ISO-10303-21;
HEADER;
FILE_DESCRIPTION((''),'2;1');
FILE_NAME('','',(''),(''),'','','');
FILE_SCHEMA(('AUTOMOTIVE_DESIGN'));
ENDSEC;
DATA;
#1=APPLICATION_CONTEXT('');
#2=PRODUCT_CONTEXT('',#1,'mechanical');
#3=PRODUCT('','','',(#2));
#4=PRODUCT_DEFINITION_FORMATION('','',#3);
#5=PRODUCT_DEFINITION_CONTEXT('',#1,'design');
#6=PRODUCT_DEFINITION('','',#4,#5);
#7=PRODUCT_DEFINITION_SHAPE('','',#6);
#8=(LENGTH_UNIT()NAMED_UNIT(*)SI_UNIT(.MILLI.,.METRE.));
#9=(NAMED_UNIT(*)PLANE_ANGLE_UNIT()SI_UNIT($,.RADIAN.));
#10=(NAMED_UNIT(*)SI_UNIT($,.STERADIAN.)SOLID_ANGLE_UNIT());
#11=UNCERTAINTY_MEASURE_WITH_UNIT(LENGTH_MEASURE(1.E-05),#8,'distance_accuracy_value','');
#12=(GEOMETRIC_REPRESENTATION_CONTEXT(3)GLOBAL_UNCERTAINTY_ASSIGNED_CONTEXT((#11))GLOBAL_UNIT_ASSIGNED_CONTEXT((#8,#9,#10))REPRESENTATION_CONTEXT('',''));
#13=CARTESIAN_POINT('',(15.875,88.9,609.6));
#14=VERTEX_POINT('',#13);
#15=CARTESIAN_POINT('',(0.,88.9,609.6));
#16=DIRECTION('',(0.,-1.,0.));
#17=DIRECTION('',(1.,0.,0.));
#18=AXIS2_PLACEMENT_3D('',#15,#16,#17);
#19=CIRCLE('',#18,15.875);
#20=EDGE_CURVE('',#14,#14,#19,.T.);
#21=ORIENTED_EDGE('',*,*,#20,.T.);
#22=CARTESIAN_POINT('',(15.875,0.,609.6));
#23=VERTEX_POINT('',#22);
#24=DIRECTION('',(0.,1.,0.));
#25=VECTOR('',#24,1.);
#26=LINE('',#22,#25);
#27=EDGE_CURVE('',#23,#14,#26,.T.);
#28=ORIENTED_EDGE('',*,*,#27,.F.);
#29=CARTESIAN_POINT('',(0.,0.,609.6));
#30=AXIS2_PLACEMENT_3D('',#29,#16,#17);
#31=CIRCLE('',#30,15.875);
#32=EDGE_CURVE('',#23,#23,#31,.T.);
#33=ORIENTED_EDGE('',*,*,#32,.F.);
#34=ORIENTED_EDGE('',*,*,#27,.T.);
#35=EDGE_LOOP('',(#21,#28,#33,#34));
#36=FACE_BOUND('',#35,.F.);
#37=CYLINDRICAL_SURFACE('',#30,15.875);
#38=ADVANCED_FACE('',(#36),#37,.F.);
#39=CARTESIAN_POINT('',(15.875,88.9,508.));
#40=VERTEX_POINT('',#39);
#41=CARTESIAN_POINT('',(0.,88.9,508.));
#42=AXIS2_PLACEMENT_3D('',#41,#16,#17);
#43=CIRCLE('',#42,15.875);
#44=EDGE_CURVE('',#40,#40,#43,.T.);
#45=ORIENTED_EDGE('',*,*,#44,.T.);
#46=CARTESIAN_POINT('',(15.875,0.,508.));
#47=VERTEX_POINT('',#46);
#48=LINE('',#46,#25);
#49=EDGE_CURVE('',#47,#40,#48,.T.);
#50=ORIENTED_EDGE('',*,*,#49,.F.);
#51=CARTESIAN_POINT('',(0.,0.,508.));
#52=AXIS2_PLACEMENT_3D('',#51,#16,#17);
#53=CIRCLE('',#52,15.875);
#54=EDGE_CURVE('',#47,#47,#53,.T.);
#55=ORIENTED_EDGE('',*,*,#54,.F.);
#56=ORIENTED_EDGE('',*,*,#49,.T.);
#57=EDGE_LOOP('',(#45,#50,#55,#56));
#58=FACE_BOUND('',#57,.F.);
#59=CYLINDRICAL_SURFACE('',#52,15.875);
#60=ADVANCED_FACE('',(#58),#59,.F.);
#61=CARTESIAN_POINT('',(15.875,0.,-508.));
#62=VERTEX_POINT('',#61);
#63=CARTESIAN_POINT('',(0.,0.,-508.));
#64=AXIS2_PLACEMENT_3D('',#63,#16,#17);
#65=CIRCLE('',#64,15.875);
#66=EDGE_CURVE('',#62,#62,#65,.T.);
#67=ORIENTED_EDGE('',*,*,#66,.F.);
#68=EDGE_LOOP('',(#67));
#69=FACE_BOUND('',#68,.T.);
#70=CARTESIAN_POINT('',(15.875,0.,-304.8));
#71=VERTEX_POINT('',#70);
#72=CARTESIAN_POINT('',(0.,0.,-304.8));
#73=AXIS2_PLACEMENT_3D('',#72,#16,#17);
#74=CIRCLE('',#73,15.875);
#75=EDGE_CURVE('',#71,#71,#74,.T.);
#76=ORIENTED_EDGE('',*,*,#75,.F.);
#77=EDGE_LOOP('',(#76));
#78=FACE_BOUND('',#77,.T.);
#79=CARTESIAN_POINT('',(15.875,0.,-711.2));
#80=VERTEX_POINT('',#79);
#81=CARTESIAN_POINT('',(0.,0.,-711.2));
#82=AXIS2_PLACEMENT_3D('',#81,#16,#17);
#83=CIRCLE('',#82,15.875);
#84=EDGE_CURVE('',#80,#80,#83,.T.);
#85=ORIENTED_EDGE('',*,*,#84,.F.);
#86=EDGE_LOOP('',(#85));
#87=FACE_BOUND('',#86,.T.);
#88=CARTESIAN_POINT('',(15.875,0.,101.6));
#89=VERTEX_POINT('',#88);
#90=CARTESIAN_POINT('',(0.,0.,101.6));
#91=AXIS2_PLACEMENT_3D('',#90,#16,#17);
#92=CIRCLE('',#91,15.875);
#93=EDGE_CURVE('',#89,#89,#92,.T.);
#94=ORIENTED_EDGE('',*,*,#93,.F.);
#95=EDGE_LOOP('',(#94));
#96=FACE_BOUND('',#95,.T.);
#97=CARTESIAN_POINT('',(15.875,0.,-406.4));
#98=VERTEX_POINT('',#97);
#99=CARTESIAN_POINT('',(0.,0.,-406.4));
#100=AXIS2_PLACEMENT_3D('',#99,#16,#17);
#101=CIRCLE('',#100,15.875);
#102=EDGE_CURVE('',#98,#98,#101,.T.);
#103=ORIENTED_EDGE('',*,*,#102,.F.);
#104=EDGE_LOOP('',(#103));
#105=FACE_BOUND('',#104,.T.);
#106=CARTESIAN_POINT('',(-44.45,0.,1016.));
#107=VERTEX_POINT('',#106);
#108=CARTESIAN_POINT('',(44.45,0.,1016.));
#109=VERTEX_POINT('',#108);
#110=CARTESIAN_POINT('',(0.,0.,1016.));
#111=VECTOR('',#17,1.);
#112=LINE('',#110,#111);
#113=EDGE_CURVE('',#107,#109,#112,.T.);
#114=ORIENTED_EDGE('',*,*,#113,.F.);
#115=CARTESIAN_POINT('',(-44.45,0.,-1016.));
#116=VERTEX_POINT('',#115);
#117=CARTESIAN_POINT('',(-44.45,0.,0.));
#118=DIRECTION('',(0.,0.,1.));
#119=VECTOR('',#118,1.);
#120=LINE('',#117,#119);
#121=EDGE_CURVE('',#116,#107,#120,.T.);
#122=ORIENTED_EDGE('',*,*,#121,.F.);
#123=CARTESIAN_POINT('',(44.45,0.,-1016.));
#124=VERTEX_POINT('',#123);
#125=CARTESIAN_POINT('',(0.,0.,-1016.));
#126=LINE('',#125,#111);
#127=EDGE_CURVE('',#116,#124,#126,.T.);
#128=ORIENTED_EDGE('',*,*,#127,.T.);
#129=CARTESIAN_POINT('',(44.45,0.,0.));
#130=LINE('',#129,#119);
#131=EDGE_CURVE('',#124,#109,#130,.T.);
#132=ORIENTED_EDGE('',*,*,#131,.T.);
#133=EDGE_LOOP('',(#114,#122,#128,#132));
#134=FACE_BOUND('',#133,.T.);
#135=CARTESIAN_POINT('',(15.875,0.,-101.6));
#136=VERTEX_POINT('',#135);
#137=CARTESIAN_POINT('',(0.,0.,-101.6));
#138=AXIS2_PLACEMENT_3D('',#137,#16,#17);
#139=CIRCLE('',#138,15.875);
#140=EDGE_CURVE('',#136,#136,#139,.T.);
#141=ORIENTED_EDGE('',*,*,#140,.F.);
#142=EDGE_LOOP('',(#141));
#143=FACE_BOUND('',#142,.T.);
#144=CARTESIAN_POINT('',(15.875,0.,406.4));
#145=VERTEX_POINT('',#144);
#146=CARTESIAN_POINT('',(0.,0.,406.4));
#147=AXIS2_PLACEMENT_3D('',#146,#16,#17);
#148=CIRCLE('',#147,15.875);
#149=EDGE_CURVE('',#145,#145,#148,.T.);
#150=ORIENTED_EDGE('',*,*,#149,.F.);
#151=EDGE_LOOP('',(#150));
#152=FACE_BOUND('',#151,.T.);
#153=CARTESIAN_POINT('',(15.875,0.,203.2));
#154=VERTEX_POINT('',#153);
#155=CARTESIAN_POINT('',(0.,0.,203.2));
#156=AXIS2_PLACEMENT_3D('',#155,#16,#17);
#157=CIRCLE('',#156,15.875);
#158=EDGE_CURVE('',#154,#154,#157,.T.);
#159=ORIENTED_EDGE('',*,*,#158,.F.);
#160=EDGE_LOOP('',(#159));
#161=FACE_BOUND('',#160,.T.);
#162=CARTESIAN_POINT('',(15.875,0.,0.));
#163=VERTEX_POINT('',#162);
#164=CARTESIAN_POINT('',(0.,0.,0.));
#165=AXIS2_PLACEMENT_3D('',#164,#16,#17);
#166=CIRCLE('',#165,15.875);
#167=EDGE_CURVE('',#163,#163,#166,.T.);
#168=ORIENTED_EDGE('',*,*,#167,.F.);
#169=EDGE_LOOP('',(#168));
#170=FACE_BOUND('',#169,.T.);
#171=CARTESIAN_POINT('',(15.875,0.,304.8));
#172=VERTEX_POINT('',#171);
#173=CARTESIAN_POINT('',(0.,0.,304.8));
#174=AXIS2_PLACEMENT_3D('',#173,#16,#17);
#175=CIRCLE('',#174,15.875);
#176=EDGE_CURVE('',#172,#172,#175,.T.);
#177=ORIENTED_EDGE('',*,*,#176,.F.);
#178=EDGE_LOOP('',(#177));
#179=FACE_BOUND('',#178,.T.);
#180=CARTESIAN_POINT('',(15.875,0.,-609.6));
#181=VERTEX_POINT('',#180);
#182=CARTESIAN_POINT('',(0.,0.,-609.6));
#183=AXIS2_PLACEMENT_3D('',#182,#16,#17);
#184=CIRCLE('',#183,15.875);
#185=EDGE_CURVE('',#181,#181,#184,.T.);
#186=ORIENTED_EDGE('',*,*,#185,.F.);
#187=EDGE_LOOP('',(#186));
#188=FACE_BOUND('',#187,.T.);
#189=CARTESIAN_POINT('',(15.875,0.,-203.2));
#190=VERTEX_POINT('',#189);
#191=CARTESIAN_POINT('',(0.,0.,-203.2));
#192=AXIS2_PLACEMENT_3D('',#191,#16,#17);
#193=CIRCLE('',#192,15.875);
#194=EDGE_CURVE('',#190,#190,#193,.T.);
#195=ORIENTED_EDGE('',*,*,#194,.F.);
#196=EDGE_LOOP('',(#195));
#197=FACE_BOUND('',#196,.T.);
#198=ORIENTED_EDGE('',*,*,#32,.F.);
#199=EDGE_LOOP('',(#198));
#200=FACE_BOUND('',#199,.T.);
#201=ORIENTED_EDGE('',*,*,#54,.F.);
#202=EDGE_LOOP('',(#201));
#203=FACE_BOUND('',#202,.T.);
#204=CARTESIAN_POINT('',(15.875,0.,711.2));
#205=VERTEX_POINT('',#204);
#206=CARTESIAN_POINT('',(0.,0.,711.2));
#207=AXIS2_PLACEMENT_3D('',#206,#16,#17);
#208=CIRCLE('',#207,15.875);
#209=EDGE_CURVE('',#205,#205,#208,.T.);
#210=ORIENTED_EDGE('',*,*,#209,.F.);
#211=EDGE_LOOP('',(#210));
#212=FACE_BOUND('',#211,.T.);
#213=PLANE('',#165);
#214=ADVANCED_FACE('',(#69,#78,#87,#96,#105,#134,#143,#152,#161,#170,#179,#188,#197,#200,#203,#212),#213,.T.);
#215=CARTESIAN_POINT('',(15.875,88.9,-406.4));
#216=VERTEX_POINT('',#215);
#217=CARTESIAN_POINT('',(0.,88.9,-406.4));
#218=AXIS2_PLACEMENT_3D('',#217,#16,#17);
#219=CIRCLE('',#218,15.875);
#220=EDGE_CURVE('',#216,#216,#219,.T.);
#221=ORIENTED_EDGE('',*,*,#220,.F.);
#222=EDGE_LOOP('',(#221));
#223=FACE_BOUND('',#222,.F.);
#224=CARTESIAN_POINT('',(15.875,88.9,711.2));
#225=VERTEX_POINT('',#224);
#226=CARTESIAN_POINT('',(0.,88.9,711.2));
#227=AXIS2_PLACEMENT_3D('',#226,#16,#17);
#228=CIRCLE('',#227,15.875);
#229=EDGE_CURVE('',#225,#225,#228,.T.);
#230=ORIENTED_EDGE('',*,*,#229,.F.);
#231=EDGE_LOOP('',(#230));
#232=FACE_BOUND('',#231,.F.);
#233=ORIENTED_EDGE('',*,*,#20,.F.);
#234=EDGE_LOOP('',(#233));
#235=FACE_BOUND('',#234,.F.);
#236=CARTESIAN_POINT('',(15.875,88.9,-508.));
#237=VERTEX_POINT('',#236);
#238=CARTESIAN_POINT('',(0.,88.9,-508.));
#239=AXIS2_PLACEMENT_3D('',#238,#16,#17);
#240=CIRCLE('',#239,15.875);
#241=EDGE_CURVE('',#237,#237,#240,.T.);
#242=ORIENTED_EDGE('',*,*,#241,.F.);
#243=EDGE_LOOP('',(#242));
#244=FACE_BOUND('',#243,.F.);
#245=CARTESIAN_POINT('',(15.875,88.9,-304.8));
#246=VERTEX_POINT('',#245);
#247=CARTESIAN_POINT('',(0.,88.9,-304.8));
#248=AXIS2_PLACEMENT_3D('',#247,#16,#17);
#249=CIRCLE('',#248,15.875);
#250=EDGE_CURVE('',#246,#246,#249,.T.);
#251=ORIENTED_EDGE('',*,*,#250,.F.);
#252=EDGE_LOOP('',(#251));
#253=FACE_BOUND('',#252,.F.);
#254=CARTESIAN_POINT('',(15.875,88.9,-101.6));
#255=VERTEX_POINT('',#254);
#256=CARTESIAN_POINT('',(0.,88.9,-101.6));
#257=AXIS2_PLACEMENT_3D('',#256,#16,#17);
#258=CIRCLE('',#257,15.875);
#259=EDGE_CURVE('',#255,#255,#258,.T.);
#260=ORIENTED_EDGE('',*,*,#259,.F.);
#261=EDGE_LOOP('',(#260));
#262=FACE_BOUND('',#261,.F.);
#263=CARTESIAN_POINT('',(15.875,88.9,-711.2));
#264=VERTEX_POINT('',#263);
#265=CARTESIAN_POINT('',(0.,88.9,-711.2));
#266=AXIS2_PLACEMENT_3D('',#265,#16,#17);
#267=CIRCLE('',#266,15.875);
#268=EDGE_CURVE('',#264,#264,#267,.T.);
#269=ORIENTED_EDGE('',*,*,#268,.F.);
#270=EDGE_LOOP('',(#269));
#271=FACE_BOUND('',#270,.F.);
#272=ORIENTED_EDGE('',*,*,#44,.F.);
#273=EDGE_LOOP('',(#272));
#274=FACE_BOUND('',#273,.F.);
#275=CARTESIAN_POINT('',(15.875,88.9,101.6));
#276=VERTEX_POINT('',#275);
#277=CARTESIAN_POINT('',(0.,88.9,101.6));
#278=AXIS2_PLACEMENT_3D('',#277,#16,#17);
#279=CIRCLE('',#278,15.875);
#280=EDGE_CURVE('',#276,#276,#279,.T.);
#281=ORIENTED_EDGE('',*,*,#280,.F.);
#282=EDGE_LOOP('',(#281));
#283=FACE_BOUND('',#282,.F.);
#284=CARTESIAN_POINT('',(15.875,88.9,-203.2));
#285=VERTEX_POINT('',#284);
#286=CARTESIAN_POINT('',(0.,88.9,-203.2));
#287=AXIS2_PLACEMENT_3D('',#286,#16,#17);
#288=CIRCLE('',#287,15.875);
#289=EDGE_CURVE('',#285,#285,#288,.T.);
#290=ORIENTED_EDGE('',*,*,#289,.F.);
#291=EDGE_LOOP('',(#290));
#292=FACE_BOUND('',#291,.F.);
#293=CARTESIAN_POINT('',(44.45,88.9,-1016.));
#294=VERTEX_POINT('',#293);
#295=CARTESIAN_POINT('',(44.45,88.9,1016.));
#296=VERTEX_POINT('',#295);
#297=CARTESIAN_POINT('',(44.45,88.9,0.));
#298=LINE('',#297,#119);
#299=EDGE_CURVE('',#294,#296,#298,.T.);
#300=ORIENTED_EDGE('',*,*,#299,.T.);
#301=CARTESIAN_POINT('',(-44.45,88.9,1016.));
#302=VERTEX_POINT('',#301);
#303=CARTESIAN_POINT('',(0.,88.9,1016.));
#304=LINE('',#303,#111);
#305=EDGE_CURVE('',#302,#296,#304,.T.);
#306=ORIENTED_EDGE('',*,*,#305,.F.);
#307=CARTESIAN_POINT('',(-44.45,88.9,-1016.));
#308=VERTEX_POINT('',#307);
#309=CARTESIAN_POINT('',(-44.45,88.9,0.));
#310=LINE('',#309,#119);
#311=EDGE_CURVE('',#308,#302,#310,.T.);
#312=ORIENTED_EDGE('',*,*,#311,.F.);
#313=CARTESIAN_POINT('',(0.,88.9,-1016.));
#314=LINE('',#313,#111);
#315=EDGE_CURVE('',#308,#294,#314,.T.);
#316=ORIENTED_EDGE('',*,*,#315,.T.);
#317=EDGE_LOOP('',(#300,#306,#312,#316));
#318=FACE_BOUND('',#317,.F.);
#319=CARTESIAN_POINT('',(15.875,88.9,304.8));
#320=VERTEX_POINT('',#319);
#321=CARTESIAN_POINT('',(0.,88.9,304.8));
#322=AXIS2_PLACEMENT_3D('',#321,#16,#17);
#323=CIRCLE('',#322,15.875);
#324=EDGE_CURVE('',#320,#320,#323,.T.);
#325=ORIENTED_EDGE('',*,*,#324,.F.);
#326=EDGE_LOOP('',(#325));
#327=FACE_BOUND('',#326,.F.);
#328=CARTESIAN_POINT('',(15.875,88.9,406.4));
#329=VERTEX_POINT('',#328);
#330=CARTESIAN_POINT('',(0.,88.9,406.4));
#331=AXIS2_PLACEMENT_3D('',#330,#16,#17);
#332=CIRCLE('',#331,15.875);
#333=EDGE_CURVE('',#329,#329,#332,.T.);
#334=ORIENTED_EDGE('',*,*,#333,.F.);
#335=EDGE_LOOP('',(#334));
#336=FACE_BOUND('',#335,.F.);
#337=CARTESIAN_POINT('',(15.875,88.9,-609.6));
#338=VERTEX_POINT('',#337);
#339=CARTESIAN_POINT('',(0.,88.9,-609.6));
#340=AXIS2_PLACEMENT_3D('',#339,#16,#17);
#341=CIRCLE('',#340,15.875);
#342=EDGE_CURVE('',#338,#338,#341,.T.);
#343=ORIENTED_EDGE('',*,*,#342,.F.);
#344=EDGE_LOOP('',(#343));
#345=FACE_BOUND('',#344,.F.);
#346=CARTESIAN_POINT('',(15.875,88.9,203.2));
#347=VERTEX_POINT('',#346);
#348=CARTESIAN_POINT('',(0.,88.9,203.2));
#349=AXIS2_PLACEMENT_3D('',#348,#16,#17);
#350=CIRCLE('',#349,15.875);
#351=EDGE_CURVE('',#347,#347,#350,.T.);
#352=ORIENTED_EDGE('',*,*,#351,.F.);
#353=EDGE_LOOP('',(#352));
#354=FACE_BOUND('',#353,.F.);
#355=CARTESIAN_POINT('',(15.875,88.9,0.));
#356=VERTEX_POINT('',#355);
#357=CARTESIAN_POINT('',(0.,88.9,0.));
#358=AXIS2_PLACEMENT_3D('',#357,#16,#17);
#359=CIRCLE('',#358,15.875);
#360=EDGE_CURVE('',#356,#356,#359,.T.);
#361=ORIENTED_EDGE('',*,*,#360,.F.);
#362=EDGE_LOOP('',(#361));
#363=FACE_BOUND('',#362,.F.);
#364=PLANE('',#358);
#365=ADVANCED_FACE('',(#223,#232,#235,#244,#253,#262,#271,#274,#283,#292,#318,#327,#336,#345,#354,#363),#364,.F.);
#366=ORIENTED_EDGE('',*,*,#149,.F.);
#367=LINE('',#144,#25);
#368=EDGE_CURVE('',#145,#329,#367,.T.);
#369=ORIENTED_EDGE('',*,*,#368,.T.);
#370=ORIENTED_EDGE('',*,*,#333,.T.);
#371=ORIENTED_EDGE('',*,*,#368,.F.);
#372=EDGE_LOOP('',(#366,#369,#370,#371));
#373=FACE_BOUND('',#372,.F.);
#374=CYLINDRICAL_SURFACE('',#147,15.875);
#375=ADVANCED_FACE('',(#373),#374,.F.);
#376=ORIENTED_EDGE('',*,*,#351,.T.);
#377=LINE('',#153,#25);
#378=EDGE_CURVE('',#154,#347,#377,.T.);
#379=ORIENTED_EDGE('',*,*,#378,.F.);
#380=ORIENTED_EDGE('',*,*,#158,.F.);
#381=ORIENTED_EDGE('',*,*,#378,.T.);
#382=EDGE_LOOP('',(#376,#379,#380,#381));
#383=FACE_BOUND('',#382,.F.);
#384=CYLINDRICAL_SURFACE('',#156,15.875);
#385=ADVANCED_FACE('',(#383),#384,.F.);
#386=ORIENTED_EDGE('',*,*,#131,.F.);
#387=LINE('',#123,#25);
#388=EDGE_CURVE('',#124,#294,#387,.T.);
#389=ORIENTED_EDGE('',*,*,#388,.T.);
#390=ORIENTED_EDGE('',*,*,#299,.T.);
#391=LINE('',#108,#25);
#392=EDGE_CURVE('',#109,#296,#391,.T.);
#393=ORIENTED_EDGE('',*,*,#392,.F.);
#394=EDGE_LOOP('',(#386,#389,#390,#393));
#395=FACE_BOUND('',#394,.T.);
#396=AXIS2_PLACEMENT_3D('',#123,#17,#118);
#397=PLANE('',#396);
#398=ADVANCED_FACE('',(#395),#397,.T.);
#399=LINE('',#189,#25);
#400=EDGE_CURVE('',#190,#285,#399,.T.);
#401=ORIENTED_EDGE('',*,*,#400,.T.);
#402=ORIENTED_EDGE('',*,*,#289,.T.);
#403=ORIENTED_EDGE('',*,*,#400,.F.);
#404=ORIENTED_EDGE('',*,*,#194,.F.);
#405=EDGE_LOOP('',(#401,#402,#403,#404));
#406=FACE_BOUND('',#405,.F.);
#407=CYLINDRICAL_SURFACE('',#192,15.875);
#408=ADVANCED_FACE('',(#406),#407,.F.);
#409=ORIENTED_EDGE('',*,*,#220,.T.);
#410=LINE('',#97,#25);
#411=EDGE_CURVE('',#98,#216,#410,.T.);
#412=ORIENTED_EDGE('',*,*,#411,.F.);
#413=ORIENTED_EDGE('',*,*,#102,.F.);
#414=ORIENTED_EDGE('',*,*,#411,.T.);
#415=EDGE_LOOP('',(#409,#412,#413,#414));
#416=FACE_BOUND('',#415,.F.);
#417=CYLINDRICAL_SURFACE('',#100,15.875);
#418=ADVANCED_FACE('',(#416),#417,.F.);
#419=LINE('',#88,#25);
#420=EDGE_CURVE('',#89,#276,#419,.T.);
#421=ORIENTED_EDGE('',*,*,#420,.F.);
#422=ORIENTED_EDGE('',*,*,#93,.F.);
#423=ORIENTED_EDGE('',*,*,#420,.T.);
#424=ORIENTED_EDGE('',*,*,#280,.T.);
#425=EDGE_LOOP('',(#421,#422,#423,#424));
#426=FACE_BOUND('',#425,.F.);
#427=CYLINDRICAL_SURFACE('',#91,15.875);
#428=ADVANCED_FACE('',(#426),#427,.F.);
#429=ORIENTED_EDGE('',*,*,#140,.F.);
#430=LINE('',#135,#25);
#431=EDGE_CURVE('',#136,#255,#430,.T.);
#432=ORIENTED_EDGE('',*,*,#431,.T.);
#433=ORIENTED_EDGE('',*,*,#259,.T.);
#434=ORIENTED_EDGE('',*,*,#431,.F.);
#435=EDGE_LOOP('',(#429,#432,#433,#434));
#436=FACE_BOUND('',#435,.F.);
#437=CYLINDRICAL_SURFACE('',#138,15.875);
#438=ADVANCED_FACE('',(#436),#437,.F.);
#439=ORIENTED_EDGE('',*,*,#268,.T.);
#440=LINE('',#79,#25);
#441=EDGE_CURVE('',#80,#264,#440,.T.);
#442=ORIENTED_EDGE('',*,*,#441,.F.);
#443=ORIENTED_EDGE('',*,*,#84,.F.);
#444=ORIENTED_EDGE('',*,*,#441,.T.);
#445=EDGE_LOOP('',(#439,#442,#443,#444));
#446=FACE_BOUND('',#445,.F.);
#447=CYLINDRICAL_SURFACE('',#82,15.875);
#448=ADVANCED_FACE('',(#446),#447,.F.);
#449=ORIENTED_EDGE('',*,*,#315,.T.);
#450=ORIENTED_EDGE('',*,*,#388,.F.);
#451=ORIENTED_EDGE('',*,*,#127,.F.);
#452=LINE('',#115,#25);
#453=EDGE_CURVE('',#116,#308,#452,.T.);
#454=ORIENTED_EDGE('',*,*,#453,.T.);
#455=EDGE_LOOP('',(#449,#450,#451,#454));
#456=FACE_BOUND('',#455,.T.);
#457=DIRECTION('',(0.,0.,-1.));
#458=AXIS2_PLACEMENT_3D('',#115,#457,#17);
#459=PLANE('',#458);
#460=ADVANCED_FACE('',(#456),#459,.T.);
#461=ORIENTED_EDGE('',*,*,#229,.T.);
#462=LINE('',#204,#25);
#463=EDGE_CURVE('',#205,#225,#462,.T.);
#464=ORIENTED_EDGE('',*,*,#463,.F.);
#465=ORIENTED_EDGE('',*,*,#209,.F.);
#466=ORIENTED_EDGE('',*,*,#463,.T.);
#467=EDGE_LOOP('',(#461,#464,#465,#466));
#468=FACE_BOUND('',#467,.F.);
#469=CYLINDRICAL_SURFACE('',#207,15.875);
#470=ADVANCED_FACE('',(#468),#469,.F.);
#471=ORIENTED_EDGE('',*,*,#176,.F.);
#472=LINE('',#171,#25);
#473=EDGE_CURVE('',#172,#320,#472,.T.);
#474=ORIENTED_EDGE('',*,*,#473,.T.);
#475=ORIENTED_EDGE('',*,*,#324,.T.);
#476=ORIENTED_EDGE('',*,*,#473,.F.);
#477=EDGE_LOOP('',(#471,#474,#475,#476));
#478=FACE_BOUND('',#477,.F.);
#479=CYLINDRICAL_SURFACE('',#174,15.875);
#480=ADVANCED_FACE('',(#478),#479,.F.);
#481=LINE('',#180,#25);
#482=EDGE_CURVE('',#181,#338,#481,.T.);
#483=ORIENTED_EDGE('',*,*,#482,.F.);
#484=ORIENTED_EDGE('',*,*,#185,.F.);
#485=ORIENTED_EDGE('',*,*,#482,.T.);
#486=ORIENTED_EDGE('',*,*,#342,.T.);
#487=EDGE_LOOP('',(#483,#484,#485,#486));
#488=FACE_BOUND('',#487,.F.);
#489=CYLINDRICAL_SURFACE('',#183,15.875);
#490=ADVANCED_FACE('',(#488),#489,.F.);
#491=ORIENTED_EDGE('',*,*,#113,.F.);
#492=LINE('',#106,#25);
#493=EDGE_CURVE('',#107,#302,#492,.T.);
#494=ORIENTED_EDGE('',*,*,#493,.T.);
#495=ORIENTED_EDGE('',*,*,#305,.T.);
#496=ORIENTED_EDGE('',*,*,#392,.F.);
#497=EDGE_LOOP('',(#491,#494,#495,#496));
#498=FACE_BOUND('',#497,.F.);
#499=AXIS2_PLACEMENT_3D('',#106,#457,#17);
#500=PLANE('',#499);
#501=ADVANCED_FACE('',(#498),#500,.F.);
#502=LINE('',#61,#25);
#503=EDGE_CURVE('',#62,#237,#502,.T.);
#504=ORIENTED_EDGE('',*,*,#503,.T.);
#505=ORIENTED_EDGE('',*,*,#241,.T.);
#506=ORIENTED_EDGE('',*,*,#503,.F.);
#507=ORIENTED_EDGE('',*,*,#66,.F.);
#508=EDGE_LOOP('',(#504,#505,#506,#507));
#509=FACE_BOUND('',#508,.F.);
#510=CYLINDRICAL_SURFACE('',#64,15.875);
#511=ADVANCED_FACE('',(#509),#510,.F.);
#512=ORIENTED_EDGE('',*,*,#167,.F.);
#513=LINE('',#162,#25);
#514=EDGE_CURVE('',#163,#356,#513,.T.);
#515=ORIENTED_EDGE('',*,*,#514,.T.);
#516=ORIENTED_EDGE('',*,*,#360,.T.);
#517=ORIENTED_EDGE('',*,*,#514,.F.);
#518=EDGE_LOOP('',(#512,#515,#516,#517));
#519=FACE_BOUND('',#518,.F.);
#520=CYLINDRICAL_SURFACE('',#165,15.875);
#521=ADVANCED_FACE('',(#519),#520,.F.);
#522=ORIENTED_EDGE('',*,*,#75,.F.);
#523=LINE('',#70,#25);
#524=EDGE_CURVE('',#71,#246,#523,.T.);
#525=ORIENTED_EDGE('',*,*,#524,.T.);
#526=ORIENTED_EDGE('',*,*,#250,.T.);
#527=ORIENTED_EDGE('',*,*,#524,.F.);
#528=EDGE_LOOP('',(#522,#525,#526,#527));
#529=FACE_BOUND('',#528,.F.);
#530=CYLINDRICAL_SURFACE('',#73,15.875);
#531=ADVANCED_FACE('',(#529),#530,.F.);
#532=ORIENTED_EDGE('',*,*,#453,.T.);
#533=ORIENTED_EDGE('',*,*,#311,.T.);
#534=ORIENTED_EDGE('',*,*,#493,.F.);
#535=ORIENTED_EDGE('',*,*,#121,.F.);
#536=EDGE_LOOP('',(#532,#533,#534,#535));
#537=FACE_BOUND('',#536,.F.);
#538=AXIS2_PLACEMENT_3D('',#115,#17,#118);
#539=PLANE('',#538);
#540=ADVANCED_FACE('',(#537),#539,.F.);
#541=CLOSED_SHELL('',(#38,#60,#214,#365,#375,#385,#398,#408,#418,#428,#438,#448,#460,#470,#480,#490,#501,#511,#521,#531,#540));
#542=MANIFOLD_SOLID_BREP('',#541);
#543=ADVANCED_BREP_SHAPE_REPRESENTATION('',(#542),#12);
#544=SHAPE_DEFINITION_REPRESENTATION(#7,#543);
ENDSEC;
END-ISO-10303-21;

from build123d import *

# Parameters (mm, degrees)
F0_W     = 88.9
F0_H     = 2032
F0_R     = 15.875
F1_DEPTH = 88.9


with BuildPart() as f1:
    # F0 (on Front) → F1 (new body)
    with BuildSketch(Plane.XZ):
        Rectangle(F0_W, F0_H)
        with Locations((0, -711.2)):
            Circle(F0_R, mode=Mode.SUBTRACT)
        with Locations((0, -609.6)):
            Circle(F0_R, mode=Mode.SUBTRACT)
        with Locations((0, -508)):
            Circle(F0_R, mode=Mode.SUBTRACT)
        with Locations((0, -406.4)):
            Circle(F0_R, mode=Mode.SUBTRACT)
        with Locations((0, -304.8)):
            Circle(F0_R, mode=Mode.SUBTRACT)
        with Locations((0, -203.2)):
            Circle(F0_R, mode=Mode.SUBTRACT)
        with Locations((0, -101.6)):
            Circle(F0_R, mode=Mode.SUBTRACT)
        Circle(F0_R, mode=Mode.SUBTRACT)
        with Locations((0, 101.6)):
            Circle(F0_R, mode=Mode.SUBTRACT)
        with Locations((0, 203.2)):
            Circle(F0_R, mode=Mode.SUBTRACT)
        with Locations((0, 304.8)):
            Circle(F0_R, mode=Mode.SUBTRACT)
        with Locations((0, 406.4)):
            Circle(F0_R, mode=Mode.SUBTRACT)
        with Locations((0, 508)):
            Circle(F0_R, mode=Mode.SUBTRACT)
        with Locations((0, 609.6)):
            Circle(F0_R, mode=Mode.SUBTRACT)
        with Locations((0, 711.2)):
            Circle(F0_R, mode=Mode.SUBTRACT)
    extrude(amount=-F1_DEPTH)


solid = f1.part
